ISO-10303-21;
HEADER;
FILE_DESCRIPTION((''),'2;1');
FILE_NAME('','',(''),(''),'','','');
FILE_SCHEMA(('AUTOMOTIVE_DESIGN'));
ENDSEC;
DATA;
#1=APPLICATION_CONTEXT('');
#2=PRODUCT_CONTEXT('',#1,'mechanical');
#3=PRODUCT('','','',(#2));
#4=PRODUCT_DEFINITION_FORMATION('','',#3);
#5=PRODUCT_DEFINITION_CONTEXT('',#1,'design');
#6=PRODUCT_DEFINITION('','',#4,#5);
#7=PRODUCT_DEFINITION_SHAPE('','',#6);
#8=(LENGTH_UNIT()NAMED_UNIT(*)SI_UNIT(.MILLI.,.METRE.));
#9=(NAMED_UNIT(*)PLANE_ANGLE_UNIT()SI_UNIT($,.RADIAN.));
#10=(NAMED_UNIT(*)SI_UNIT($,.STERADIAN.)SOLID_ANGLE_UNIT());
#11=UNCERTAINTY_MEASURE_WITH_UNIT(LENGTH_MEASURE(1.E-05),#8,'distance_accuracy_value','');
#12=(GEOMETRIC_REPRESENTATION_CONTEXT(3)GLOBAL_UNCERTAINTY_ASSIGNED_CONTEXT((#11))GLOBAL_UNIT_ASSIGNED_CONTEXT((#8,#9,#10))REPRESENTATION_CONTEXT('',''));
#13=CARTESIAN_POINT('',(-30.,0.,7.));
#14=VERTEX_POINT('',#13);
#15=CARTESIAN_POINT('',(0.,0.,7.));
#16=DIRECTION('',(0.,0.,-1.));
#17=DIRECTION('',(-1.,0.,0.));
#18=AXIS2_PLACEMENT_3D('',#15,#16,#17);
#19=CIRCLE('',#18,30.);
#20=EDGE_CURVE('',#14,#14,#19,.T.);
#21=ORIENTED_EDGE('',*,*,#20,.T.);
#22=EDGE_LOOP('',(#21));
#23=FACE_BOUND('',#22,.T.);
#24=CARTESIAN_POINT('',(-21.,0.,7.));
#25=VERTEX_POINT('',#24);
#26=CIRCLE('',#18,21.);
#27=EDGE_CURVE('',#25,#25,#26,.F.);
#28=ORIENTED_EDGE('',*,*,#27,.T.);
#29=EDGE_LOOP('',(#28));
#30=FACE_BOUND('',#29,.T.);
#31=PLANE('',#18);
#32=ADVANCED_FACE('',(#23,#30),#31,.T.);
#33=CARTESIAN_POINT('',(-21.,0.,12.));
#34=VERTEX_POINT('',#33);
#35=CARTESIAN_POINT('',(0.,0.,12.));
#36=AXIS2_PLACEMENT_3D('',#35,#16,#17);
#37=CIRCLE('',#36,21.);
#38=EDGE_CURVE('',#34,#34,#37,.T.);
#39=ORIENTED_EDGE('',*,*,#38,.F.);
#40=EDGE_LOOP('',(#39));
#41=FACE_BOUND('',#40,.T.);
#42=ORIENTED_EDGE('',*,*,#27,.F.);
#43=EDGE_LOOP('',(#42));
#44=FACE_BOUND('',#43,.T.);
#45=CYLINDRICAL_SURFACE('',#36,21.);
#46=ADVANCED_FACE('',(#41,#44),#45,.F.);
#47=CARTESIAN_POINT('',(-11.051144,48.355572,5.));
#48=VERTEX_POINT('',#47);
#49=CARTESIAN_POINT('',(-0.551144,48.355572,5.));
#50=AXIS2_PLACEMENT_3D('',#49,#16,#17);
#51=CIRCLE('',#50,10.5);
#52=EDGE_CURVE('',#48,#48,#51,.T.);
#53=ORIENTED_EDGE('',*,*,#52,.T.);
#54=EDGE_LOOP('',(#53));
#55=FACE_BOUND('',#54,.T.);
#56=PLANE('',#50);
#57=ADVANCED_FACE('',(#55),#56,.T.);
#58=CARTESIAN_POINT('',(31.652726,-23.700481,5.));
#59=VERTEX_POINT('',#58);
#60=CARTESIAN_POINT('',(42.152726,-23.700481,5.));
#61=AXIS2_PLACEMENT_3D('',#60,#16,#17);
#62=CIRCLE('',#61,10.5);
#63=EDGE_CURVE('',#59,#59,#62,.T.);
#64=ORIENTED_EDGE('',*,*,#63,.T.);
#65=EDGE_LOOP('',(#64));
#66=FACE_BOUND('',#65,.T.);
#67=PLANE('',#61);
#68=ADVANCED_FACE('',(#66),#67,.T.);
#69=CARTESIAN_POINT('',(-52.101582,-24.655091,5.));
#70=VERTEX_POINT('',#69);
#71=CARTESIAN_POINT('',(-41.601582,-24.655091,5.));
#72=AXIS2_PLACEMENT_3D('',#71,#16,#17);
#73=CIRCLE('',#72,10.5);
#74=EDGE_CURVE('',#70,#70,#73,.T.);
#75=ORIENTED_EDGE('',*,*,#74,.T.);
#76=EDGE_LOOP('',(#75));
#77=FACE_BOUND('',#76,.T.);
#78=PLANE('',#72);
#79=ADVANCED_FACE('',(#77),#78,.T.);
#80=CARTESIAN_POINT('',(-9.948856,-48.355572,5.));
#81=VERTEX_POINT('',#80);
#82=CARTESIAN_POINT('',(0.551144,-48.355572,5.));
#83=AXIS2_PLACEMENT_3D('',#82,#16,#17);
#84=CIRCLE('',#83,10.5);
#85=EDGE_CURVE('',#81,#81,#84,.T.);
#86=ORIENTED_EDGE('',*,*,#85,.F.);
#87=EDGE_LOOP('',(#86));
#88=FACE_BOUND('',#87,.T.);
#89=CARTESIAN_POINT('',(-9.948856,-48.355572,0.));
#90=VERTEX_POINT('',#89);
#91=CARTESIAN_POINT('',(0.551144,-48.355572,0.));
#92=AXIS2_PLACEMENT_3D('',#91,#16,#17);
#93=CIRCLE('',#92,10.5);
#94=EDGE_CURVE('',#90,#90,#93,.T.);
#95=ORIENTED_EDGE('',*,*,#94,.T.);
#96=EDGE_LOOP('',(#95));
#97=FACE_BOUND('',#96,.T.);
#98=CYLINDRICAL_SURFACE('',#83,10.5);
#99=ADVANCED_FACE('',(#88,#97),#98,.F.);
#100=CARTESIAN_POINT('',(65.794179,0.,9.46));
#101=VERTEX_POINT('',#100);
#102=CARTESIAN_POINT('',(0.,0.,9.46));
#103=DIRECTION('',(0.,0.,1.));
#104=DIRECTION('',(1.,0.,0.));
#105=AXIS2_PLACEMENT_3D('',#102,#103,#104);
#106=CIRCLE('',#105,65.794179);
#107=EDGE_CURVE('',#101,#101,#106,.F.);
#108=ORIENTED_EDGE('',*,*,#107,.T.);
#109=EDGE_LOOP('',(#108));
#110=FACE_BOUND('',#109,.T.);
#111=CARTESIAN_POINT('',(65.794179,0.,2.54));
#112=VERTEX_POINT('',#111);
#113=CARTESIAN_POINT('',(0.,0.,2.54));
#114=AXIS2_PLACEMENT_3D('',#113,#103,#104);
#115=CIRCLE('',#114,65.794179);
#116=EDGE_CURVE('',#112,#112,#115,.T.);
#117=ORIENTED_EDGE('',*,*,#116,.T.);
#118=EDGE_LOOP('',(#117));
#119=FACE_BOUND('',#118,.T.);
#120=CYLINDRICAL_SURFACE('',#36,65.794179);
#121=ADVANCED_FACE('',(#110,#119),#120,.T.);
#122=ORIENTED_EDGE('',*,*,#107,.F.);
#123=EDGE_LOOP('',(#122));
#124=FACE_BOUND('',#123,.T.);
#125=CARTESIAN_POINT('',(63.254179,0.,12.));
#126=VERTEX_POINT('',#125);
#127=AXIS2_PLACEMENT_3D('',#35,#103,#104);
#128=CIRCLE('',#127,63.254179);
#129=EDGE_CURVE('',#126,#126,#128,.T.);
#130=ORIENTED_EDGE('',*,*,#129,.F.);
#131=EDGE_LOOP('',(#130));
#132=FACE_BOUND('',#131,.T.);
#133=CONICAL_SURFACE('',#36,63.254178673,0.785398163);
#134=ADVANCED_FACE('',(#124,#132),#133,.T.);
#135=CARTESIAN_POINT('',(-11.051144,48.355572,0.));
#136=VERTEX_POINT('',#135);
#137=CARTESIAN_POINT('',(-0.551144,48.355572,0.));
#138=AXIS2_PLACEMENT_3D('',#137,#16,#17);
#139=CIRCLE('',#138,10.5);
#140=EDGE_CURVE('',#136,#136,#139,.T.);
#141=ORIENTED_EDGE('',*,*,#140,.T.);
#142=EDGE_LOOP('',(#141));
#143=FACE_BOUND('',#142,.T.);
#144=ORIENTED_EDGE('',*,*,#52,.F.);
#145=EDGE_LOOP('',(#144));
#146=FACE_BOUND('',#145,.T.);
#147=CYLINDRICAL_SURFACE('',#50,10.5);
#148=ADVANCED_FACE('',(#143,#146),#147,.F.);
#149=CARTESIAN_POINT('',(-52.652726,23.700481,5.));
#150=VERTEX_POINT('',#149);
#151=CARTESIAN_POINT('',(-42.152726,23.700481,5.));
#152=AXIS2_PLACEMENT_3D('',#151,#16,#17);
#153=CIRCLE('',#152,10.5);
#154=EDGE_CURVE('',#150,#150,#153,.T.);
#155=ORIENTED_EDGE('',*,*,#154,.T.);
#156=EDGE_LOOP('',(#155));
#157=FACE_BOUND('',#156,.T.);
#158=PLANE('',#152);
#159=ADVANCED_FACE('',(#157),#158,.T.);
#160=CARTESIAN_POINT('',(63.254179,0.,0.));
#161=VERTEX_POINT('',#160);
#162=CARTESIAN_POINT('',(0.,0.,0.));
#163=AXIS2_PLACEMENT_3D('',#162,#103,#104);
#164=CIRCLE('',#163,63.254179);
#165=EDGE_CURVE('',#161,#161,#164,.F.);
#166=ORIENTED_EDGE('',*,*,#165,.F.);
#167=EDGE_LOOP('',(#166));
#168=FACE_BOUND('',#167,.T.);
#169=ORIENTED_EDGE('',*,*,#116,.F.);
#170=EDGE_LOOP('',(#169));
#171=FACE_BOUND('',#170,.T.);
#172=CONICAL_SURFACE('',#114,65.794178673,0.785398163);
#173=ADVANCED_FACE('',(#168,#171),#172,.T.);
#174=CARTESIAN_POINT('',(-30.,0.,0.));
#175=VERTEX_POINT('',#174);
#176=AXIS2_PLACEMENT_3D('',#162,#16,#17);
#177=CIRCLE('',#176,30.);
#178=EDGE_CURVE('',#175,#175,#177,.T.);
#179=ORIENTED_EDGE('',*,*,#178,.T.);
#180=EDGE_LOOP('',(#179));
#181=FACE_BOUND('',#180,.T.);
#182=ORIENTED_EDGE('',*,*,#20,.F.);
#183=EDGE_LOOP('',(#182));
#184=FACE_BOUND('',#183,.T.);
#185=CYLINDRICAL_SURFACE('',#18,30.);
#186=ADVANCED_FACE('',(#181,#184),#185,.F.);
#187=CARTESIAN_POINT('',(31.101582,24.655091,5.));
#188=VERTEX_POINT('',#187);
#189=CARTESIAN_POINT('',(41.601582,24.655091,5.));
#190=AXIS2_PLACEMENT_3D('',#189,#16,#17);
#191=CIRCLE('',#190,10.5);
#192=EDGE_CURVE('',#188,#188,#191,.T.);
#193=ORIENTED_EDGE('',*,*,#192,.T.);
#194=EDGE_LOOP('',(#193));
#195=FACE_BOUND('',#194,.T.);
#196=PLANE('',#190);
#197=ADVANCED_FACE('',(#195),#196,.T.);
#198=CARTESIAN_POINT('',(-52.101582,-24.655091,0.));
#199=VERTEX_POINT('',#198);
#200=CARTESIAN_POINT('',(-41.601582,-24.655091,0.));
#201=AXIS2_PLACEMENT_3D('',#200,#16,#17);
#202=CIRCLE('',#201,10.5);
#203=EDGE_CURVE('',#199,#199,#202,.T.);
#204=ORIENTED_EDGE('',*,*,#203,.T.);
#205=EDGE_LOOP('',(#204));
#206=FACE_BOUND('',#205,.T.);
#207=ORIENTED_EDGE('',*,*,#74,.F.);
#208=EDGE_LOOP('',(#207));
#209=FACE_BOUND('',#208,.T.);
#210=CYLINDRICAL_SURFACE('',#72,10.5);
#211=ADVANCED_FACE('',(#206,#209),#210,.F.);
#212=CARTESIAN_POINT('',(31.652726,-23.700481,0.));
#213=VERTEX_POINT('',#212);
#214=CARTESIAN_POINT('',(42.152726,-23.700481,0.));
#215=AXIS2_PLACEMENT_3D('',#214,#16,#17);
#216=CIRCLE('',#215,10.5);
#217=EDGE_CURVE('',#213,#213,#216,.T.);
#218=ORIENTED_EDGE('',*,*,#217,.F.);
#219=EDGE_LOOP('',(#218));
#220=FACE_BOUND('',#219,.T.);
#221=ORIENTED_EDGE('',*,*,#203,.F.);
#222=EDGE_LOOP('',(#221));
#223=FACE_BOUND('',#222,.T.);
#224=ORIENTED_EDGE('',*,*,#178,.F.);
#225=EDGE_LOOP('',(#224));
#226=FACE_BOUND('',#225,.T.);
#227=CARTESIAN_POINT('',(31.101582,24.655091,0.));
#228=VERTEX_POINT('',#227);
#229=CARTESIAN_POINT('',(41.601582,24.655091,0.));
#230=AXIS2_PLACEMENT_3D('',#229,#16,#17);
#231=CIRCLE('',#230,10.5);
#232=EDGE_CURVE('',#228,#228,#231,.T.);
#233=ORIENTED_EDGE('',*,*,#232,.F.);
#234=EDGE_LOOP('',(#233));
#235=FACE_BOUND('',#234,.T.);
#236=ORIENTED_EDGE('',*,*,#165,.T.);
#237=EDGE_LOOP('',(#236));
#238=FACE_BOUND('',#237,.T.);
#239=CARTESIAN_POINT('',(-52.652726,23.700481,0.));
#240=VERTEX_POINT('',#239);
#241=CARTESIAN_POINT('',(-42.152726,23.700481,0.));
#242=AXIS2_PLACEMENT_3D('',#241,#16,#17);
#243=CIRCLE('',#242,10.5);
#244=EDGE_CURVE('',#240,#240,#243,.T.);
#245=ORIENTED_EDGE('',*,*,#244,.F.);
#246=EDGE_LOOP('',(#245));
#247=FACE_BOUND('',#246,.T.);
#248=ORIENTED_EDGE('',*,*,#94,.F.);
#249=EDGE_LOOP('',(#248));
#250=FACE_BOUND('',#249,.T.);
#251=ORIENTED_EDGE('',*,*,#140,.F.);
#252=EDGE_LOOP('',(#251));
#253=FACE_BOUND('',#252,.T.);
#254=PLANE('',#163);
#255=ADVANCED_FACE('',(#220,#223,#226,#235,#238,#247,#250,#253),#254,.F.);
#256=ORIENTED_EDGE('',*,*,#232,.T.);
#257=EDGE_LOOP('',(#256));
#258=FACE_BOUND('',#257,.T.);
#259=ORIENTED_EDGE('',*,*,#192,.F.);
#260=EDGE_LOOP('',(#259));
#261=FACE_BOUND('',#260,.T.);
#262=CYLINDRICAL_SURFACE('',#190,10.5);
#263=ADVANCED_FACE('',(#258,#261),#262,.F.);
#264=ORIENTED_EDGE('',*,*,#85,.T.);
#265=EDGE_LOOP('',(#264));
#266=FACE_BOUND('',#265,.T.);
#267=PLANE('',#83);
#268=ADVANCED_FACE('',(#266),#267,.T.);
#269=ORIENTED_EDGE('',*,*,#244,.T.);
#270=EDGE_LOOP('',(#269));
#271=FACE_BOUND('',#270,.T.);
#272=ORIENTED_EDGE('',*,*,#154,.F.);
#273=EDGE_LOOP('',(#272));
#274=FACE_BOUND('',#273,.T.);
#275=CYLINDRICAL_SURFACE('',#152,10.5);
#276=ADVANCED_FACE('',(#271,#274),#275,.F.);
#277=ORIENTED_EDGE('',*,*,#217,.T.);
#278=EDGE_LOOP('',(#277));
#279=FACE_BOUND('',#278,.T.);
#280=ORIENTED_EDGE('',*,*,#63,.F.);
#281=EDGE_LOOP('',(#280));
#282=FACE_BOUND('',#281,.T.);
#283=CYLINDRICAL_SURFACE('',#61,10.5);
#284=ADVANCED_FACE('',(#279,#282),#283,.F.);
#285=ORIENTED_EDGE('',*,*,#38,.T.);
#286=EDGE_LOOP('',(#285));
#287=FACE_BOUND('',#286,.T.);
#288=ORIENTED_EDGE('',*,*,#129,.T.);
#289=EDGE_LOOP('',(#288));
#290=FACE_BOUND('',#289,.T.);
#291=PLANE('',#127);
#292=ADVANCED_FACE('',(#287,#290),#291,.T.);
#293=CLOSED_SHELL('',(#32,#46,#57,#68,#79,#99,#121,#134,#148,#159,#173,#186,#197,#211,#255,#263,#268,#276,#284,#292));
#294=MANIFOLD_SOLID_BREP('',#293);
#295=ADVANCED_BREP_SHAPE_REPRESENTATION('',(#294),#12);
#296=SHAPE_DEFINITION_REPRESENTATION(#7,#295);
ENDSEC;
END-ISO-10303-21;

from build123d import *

# Parameters (mm, degrees)
ESQUISSE1_R             = 65.794178673
BOSS_EXTRU_1_DEPTH      = 12
CONG_1_SIZE             = 2.54
ESQUISSE4_R             = 10.5
ENL_V_MAT_EXTRU_2_DEPTH = 5
ESQUISSE2_R             = 21
ENL_V_MAT_EXTRU_4_DEPTH = 94.817631043
ESQUISSE5_R             = 30
ENL_V_MAT_EXTRU_5_DEPTH = 7


with BuildPart() as part:
    # Esquisse1 → Boss.-Extru.1 (new body)
    with BuildSketch(Plane.XY):
        Circle(ESQUISSE1_R)
    extrude(amount=BOSS_EXTRU_1_DEPTH)

    # Congé1
    cong_1_edges = [part.edges().sort_by_distance(p)[0] for p in [
        (-65.794178673, 0, 0),
        (-65.794178673, 0, 12),
    ]]
    chamfer(cong_1_edges, length=CONG_1_SIZE)

    # Esquisse4 → Enlèv. mat.-Extru.2 (cut)
    with BuildSketch(Plane(origin=(0, 0, 0), x_dir=(-1, 0, 0), z_dir=(0, 0, -1))):
        with Locations((0.551144242, 48.355572121)):
            Circle(ESQUISSE4_R)
        with Locations((42.152725992, 23.700481146)):
            Circle(ESQUISSE4_R)
        with Locations((41.60158175, -24.655090975)):
            Circle(ESQUISSE4_R)
        with Locations((-0.551144242, -48.355572121)):
            Circle(ESQUISSE4_R)
        with Locations((-42.152725992, -23.700481146)):
            Circle(ESQUISSE4_R)
        with Locations((-41.60158175, 24.655090975)):
            Circle(ESQUISSE4_R)
    extrude(amount=-ENL_V_MAT_EXTRU_2_DEPTH, mode=Mode.SUBTRACT)

    # Esquisse2 → Enlèv. mat.-Extru.4 (cut, through all)
    with BuildSketch(Plane(origin=(0, 0, 0), x_dir=(-1, 0, 0), z_dir=(0, 0, -1))):
        Circle(ESQUISSE2_R)
    extrude(amount=-ENL_V_MAT_EXTRU_4_DEPTH, mode=Mode.SUBTRACT)

    # Esquisse5 → Enlèv. mat.-Extru.5 (cut)
    with BuildSketch(Plane(origin=(0, 0, 0), x_dir=(-1, 0, 0), z_dir=(0, 0, -1))):
        Circle(ESQUISSE5_R)
    extrude(amount=-ENL_V_MAT_EXTRU_5_DEPTH, mode=Mode.SUBTRACT)


solid = part.part
